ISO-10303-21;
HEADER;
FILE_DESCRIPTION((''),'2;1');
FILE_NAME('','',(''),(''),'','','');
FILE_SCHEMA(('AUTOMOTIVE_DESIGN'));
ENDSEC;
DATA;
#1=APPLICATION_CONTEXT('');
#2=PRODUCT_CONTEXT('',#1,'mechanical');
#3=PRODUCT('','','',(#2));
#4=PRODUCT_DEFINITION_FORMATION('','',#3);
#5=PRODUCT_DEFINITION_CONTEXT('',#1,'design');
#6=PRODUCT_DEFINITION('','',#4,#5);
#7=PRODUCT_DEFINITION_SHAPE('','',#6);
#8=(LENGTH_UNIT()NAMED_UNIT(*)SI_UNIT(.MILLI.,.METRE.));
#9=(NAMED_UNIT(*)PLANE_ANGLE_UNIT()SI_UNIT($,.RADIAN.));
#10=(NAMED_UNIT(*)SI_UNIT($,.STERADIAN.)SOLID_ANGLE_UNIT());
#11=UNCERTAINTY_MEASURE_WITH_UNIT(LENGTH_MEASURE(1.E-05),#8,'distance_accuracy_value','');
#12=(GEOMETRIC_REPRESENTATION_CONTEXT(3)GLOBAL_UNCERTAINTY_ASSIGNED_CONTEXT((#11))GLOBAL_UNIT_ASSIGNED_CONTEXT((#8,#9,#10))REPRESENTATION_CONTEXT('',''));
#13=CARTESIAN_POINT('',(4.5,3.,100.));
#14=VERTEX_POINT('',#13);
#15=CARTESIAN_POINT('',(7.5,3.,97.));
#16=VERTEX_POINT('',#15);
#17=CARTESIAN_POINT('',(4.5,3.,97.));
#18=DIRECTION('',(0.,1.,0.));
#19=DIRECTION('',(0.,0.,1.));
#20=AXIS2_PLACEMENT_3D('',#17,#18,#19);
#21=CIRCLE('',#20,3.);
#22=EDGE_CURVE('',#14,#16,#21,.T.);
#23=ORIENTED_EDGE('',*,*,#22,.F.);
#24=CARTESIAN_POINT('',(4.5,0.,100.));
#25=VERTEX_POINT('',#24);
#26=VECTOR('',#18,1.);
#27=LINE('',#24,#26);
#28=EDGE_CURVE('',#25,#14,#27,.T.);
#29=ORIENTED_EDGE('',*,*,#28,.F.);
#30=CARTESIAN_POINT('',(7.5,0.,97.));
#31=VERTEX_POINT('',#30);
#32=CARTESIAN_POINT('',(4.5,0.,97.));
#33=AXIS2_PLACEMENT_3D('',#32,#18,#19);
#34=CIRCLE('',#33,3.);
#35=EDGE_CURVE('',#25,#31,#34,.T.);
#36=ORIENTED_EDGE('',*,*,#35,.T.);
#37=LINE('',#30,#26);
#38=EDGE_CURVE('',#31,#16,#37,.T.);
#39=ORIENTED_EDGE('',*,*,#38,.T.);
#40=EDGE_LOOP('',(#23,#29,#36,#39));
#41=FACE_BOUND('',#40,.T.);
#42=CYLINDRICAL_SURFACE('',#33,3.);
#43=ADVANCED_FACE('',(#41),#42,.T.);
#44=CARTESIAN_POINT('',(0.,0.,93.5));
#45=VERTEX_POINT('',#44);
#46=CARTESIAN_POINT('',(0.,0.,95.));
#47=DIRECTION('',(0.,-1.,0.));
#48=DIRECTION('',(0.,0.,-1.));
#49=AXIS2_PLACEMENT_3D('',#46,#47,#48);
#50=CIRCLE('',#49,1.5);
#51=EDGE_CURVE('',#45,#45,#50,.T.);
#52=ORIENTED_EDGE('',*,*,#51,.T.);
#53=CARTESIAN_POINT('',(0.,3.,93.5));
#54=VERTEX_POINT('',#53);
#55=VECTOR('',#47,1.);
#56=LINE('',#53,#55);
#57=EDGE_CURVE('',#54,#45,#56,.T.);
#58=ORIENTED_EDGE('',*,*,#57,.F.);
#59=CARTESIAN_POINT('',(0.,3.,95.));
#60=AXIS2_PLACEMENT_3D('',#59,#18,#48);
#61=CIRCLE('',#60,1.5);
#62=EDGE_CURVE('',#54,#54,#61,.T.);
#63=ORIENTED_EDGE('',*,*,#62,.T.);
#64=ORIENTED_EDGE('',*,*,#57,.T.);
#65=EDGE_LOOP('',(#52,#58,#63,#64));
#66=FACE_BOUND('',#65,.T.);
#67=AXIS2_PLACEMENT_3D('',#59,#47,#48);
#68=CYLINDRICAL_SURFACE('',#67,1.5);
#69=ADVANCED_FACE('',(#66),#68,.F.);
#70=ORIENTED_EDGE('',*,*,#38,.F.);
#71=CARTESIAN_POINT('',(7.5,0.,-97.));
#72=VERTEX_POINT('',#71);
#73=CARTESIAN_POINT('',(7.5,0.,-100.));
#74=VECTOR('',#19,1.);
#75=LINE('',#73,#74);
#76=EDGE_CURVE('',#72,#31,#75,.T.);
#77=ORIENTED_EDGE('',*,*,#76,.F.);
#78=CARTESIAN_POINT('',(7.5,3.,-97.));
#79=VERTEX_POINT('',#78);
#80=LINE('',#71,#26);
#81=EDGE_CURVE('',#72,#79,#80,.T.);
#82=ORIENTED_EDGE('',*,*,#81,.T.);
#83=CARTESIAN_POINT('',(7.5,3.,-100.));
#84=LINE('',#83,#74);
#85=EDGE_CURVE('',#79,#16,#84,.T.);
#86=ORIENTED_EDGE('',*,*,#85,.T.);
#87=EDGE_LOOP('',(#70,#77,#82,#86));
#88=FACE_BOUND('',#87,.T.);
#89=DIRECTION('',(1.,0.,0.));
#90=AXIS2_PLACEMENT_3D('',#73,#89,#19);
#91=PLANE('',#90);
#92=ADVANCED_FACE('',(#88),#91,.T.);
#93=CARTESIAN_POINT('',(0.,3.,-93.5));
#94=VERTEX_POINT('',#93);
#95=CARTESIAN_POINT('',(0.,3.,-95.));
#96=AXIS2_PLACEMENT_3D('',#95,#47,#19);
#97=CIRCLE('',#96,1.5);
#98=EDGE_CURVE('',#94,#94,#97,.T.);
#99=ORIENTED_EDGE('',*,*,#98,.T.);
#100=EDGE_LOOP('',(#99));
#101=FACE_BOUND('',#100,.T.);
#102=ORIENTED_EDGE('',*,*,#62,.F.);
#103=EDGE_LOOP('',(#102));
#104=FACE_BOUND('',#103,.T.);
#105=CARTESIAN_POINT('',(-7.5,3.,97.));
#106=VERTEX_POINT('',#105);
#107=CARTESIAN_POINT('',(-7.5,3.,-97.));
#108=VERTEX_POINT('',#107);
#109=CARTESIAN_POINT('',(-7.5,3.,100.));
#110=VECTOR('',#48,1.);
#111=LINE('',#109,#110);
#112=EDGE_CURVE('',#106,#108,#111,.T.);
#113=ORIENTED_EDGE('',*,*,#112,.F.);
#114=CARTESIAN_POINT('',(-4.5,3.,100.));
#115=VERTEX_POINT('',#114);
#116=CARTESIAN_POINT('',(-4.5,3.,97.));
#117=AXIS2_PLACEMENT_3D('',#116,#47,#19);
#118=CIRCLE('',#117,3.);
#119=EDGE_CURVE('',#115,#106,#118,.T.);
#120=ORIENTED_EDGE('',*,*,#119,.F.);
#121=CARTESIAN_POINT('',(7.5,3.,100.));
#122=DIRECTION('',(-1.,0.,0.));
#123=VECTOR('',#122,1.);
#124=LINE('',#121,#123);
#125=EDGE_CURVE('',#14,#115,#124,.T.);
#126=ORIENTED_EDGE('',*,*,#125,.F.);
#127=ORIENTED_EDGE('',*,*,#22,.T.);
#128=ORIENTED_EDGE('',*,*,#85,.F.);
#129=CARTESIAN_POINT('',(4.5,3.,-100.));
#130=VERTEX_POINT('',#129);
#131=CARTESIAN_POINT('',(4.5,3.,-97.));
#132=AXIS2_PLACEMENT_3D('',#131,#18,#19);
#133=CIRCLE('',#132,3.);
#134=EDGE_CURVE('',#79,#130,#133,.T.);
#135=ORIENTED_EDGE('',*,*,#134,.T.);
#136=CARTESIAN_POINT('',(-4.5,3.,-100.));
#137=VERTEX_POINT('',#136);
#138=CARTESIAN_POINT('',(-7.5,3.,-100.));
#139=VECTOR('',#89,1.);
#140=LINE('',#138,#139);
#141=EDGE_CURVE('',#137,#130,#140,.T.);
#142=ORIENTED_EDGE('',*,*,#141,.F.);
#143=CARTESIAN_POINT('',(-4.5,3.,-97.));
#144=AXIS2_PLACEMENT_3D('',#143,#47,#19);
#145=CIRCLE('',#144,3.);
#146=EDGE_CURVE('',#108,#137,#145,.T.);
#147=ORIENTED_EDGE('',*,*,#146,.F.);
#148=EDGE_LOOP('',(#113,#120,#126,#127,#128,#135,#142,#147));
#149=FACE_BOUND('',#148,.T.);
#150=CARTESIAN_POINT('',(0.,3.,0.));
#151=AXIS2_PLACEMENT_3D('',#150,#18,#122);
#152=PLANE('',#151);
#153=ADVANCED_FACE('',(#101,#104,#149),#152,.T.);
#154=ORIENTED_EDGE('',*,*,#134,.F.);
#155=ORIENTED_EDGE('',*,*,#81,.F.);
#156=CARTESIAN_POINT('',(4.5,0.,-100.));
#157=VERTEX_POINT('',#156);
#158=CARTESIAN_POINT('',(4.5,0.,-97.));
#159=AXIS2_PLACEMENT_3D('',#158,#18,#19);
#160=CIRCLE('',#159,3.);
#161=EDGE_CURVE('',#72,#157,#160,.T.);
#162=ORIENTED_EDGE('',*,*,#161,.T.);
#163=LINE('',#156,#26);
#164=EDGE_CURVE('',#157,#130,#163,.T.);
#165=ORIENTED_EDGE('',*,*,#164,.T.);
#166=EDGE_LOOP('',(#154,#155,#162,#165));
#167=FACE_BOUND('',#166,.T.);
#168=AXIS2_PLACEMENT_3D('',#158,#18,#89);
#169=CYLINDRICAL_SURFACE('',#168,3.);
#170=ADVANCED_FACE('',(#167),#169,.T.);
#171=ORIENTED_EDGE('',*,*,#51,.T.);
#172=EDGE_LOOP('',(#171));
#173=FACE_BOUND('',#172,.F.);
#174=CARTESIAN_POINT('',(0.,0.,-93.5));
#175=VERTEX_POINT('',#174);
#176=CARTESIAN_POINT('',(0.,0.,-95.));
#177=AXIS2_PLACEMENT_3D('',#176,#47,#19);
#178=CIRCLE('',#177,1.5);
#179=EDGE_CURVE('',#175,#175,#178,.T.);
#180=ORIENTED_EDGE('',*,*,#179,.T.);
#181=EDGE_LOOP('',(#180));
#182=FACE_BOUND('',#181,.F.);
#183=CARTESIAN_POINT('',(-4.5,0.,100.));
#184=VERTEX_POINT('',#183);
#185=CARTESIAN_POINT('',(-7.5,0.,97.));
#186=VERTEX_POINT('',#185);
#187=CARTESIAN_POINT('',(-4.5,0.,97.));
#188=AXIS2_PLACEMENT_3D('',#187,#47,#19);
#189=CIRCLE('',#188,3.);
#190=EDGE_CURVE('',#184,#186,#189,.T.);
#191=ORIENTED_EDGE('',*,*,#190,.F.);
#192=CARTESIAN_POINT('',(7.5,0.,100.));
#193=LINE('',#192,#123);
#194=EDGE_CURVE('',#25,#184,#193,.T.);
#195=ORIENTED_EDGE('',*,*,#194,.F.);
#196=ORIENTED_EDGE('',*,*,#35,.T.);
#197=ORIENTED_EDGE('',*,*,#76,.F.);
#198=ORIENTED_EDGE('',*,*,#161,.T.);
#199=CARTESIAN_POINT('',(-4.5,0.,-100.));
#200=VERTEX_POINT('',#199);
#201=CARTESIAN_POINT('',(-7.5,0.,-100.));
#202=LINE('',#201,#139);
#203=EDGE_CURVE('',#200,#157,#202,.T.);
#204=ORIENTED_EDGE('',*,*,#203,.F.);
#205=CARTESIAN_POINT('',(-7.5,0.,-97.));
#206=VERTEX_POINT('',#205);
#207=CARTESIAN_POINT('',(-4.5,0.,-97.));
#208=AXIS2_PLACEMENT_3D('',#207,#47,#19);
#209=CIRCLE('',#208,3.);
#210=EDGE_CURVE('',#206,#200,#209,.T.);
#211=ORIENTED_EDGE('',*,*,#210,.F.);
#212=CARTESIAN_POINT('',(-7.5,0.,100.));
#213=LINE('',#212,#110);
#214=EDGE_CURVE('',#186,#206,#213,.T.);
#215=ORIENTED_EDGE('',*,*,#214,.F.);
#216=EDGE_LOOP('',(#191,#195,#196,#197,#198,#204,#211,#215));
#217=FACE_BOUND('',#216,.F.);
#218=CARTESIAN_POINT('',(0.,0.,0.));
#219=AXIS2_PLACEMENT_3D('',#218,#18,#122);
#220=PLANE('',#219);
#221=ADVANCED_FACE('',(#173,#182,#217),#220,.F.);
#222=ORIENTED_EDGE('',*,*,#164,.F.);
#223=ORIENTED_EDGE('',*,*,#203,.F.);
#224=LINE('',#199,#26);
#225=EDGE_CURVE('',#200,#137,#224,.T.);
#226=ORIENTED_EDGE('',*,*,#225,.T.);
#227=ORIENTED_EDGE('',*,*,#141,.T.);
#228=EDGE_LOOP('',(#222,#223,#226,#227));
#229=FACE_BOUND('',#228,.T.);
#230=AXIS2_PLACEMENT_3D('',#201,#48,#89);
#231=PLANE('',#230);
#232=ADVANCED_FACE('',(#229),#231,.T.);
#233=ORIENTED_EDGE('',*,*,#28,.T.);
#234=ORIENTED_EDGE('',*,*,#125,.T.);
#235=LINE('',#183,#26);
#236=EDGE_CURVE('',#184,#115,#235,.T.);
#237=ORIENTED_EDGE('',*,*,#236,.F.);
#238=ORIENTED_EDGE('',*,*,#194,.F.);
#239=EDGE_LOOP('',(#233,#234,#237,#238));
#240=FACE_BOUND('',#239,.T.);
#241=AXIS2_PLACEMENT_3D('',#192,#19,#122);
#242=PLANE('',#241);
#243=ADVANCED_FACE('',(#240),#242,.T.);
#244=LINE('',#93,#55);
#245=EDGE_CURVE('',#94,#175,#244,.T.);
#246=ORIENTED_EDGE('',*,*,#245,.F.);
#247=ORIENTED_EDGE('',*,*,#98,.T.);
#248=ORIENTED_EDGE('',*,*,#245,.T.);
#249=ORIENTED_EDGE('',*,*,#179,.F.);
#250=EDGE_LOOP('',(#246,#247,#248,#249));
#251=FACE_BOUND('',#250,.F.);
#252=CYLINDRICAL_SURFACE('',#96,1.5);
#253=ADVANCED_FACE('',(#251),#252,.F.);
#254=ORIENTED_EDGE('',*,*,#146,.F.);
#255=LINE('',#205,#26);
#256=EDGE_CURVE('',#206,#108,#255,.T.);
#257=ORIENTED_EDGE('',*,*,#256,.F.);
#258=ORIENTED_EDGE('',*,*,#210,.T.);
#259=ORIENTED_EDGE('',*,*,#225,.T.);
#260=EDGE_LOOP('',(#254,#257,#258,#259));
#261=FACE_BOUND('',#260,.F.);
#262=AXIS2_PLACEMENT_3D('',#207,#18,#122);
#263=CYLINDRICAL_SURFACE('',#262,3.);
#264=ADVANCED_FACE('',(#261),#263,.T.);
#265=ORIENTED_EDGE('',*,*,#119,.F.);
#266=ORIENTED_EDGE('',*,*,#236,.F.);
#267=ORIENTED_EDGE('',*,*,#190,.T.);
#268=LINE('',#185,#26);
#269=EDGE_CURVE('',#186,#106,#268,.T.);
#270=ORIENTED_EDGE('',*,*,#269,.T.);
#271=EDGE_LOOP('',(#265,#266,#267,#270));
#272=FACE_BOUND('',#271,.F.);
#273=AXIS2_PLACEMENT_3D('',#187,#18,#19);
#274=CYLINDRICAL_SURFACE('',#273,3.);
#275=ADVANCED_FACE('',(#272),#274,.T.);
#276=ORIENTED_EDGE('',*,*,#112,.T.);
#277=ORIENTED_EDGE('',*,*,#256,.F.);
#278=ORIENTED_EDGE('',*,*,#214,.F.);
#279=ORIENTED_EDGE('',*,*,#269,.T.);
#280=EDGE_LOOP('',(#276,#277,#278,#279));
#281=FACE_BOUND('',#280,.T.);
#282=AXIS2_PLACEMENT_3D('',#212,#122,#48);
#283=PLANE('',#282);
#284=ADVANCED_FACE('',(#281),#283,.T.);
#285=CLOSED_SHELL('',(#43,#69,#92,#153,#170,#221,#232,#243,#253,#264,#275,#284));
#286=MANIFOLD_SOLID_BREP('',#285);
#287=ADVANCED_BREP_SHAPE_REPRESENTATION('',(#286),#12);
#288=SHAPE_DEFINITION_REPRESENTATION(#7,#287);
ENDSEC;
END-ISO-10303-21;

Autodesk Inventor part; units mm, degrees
ref_plane "YZ Plane" through (0, 0, 0) normal (1, 0, 0) x (0, 1, 0)
ref_plane "XZ Plane" through (0, 0, 0) normal (0, 1, 0) x (-1, 0, 0)
ref_plane "XY Plane" through (0, 0, 0) normal (0, 0, 1) x (1, 0, 0)
sketch "Sketch1" plane through (0, 0, 0) normal (0, 1, 0) x (-1, 0, 0)
  line L0 (-7.5, 100) -> (7.5, 100)
  line L1 (7.5, 100) -> (7.5, -100)
  line L2 (7.5, -100) -> (-7.5, -100)
  line L3 (-7.5, -100) -> (-7.5, 100)
  line L4 (-7.5, 100) -> (7.5, -100) construction
  line L5 (7.5, 100) -> (-7.5, -100) construction
  point P0 (0, 0)
  dimension "d0" = 15
  dimension "d1" = 200
extrude "Extrusion1" add sketch "Sketch1" along normal blind 3
sketch "Sketch2" plane through (0, 3, 0) normal (0, 1, 0) x (1, 0, 0)
  line L0 (7.5, 100) -> (-7.5, 100) construction
  line L1 (0, 100) -> (0, 95) construction
  point P0 (0, 0)
  dimension "d4" = 5
hole "Hole1" at (0, 3, -95) direction (0, -1, 0) diameter 3 end through all
ref_plane "Work Plane1" through (-7.5, 0, 0) normal (0, 0, 1) x (1, 0, 0)
mirror "Mirror1" about plane through (-7.5, 0, 0) normal (0, 0, 1) of "Hole1"
fillet "Fillet1" radius 3 4 edges at (7.5, 1.5, -100) (-7.5, 1.5, -100) (7.5, 1.5, 100) (-7.5, 1.5, 100)
properties part number "pin"
